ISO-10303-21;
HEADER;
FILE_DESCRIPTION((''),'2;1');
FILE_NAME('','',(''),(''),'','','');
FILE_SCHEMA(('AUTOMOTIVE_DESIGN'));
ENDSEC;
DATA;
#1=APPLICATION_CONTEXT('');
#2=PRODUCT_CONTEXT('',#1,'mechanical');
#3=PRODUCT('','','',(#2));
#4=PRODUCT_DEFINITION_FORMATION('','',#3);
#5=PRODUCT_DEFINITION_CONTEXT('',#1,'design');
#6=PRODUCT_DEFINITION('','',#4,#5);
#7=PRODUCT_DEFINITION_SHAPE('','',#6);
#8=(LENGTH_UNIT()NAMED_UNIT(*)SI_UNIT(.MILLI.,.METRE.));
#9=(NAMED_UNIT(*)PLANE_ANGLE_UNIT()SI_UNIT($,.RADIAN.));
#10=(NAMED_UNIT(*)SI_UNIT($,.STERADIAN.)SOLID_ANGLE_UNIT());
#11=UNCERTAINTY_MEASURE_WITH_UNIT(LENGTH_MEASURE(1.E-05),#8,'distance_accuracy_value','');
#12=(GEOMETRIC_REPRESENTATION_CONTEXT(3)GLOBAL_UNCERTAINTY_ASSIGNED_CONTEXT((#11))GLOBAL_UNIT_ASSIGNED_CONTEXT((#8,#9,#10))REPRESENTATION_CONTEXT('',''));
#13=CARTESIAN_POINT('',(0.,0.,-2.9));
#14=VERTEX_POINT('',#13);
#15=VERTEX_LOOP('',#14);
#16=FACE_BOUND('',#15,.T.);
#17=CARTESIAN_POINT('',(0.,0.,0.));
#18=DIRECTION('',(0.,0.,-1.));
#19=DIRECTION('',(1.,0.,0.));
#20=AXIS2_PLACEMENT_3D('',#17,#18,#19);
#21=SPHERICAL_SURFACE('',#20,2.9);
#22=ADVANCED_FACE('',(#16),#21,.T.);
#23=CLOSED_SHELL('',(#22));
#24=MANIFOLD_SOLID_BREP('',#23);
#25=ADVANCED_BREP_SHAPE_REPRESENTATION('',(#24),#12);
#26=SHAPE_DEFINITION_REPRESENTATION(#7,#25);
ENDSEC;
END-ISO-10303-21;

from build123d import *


with BuildPart() as part:
    # Sketch1 → Revolve1 (revolve)
    with BuildSketch(Plane(origin=(0, 0, 0), x_dir=(1, 0, 0), z_dir=(0, 1, 0))):
        with BuildLine():
            Line((0, 2.9), (0, -2.9))
            ThreePointArc((0, -2.9), (-2.9, 0), (0, 2.9))
        make_face()
    revolve(axis=Axis((0, 0, 0), (0, 0, 1)))


solid = part.part
